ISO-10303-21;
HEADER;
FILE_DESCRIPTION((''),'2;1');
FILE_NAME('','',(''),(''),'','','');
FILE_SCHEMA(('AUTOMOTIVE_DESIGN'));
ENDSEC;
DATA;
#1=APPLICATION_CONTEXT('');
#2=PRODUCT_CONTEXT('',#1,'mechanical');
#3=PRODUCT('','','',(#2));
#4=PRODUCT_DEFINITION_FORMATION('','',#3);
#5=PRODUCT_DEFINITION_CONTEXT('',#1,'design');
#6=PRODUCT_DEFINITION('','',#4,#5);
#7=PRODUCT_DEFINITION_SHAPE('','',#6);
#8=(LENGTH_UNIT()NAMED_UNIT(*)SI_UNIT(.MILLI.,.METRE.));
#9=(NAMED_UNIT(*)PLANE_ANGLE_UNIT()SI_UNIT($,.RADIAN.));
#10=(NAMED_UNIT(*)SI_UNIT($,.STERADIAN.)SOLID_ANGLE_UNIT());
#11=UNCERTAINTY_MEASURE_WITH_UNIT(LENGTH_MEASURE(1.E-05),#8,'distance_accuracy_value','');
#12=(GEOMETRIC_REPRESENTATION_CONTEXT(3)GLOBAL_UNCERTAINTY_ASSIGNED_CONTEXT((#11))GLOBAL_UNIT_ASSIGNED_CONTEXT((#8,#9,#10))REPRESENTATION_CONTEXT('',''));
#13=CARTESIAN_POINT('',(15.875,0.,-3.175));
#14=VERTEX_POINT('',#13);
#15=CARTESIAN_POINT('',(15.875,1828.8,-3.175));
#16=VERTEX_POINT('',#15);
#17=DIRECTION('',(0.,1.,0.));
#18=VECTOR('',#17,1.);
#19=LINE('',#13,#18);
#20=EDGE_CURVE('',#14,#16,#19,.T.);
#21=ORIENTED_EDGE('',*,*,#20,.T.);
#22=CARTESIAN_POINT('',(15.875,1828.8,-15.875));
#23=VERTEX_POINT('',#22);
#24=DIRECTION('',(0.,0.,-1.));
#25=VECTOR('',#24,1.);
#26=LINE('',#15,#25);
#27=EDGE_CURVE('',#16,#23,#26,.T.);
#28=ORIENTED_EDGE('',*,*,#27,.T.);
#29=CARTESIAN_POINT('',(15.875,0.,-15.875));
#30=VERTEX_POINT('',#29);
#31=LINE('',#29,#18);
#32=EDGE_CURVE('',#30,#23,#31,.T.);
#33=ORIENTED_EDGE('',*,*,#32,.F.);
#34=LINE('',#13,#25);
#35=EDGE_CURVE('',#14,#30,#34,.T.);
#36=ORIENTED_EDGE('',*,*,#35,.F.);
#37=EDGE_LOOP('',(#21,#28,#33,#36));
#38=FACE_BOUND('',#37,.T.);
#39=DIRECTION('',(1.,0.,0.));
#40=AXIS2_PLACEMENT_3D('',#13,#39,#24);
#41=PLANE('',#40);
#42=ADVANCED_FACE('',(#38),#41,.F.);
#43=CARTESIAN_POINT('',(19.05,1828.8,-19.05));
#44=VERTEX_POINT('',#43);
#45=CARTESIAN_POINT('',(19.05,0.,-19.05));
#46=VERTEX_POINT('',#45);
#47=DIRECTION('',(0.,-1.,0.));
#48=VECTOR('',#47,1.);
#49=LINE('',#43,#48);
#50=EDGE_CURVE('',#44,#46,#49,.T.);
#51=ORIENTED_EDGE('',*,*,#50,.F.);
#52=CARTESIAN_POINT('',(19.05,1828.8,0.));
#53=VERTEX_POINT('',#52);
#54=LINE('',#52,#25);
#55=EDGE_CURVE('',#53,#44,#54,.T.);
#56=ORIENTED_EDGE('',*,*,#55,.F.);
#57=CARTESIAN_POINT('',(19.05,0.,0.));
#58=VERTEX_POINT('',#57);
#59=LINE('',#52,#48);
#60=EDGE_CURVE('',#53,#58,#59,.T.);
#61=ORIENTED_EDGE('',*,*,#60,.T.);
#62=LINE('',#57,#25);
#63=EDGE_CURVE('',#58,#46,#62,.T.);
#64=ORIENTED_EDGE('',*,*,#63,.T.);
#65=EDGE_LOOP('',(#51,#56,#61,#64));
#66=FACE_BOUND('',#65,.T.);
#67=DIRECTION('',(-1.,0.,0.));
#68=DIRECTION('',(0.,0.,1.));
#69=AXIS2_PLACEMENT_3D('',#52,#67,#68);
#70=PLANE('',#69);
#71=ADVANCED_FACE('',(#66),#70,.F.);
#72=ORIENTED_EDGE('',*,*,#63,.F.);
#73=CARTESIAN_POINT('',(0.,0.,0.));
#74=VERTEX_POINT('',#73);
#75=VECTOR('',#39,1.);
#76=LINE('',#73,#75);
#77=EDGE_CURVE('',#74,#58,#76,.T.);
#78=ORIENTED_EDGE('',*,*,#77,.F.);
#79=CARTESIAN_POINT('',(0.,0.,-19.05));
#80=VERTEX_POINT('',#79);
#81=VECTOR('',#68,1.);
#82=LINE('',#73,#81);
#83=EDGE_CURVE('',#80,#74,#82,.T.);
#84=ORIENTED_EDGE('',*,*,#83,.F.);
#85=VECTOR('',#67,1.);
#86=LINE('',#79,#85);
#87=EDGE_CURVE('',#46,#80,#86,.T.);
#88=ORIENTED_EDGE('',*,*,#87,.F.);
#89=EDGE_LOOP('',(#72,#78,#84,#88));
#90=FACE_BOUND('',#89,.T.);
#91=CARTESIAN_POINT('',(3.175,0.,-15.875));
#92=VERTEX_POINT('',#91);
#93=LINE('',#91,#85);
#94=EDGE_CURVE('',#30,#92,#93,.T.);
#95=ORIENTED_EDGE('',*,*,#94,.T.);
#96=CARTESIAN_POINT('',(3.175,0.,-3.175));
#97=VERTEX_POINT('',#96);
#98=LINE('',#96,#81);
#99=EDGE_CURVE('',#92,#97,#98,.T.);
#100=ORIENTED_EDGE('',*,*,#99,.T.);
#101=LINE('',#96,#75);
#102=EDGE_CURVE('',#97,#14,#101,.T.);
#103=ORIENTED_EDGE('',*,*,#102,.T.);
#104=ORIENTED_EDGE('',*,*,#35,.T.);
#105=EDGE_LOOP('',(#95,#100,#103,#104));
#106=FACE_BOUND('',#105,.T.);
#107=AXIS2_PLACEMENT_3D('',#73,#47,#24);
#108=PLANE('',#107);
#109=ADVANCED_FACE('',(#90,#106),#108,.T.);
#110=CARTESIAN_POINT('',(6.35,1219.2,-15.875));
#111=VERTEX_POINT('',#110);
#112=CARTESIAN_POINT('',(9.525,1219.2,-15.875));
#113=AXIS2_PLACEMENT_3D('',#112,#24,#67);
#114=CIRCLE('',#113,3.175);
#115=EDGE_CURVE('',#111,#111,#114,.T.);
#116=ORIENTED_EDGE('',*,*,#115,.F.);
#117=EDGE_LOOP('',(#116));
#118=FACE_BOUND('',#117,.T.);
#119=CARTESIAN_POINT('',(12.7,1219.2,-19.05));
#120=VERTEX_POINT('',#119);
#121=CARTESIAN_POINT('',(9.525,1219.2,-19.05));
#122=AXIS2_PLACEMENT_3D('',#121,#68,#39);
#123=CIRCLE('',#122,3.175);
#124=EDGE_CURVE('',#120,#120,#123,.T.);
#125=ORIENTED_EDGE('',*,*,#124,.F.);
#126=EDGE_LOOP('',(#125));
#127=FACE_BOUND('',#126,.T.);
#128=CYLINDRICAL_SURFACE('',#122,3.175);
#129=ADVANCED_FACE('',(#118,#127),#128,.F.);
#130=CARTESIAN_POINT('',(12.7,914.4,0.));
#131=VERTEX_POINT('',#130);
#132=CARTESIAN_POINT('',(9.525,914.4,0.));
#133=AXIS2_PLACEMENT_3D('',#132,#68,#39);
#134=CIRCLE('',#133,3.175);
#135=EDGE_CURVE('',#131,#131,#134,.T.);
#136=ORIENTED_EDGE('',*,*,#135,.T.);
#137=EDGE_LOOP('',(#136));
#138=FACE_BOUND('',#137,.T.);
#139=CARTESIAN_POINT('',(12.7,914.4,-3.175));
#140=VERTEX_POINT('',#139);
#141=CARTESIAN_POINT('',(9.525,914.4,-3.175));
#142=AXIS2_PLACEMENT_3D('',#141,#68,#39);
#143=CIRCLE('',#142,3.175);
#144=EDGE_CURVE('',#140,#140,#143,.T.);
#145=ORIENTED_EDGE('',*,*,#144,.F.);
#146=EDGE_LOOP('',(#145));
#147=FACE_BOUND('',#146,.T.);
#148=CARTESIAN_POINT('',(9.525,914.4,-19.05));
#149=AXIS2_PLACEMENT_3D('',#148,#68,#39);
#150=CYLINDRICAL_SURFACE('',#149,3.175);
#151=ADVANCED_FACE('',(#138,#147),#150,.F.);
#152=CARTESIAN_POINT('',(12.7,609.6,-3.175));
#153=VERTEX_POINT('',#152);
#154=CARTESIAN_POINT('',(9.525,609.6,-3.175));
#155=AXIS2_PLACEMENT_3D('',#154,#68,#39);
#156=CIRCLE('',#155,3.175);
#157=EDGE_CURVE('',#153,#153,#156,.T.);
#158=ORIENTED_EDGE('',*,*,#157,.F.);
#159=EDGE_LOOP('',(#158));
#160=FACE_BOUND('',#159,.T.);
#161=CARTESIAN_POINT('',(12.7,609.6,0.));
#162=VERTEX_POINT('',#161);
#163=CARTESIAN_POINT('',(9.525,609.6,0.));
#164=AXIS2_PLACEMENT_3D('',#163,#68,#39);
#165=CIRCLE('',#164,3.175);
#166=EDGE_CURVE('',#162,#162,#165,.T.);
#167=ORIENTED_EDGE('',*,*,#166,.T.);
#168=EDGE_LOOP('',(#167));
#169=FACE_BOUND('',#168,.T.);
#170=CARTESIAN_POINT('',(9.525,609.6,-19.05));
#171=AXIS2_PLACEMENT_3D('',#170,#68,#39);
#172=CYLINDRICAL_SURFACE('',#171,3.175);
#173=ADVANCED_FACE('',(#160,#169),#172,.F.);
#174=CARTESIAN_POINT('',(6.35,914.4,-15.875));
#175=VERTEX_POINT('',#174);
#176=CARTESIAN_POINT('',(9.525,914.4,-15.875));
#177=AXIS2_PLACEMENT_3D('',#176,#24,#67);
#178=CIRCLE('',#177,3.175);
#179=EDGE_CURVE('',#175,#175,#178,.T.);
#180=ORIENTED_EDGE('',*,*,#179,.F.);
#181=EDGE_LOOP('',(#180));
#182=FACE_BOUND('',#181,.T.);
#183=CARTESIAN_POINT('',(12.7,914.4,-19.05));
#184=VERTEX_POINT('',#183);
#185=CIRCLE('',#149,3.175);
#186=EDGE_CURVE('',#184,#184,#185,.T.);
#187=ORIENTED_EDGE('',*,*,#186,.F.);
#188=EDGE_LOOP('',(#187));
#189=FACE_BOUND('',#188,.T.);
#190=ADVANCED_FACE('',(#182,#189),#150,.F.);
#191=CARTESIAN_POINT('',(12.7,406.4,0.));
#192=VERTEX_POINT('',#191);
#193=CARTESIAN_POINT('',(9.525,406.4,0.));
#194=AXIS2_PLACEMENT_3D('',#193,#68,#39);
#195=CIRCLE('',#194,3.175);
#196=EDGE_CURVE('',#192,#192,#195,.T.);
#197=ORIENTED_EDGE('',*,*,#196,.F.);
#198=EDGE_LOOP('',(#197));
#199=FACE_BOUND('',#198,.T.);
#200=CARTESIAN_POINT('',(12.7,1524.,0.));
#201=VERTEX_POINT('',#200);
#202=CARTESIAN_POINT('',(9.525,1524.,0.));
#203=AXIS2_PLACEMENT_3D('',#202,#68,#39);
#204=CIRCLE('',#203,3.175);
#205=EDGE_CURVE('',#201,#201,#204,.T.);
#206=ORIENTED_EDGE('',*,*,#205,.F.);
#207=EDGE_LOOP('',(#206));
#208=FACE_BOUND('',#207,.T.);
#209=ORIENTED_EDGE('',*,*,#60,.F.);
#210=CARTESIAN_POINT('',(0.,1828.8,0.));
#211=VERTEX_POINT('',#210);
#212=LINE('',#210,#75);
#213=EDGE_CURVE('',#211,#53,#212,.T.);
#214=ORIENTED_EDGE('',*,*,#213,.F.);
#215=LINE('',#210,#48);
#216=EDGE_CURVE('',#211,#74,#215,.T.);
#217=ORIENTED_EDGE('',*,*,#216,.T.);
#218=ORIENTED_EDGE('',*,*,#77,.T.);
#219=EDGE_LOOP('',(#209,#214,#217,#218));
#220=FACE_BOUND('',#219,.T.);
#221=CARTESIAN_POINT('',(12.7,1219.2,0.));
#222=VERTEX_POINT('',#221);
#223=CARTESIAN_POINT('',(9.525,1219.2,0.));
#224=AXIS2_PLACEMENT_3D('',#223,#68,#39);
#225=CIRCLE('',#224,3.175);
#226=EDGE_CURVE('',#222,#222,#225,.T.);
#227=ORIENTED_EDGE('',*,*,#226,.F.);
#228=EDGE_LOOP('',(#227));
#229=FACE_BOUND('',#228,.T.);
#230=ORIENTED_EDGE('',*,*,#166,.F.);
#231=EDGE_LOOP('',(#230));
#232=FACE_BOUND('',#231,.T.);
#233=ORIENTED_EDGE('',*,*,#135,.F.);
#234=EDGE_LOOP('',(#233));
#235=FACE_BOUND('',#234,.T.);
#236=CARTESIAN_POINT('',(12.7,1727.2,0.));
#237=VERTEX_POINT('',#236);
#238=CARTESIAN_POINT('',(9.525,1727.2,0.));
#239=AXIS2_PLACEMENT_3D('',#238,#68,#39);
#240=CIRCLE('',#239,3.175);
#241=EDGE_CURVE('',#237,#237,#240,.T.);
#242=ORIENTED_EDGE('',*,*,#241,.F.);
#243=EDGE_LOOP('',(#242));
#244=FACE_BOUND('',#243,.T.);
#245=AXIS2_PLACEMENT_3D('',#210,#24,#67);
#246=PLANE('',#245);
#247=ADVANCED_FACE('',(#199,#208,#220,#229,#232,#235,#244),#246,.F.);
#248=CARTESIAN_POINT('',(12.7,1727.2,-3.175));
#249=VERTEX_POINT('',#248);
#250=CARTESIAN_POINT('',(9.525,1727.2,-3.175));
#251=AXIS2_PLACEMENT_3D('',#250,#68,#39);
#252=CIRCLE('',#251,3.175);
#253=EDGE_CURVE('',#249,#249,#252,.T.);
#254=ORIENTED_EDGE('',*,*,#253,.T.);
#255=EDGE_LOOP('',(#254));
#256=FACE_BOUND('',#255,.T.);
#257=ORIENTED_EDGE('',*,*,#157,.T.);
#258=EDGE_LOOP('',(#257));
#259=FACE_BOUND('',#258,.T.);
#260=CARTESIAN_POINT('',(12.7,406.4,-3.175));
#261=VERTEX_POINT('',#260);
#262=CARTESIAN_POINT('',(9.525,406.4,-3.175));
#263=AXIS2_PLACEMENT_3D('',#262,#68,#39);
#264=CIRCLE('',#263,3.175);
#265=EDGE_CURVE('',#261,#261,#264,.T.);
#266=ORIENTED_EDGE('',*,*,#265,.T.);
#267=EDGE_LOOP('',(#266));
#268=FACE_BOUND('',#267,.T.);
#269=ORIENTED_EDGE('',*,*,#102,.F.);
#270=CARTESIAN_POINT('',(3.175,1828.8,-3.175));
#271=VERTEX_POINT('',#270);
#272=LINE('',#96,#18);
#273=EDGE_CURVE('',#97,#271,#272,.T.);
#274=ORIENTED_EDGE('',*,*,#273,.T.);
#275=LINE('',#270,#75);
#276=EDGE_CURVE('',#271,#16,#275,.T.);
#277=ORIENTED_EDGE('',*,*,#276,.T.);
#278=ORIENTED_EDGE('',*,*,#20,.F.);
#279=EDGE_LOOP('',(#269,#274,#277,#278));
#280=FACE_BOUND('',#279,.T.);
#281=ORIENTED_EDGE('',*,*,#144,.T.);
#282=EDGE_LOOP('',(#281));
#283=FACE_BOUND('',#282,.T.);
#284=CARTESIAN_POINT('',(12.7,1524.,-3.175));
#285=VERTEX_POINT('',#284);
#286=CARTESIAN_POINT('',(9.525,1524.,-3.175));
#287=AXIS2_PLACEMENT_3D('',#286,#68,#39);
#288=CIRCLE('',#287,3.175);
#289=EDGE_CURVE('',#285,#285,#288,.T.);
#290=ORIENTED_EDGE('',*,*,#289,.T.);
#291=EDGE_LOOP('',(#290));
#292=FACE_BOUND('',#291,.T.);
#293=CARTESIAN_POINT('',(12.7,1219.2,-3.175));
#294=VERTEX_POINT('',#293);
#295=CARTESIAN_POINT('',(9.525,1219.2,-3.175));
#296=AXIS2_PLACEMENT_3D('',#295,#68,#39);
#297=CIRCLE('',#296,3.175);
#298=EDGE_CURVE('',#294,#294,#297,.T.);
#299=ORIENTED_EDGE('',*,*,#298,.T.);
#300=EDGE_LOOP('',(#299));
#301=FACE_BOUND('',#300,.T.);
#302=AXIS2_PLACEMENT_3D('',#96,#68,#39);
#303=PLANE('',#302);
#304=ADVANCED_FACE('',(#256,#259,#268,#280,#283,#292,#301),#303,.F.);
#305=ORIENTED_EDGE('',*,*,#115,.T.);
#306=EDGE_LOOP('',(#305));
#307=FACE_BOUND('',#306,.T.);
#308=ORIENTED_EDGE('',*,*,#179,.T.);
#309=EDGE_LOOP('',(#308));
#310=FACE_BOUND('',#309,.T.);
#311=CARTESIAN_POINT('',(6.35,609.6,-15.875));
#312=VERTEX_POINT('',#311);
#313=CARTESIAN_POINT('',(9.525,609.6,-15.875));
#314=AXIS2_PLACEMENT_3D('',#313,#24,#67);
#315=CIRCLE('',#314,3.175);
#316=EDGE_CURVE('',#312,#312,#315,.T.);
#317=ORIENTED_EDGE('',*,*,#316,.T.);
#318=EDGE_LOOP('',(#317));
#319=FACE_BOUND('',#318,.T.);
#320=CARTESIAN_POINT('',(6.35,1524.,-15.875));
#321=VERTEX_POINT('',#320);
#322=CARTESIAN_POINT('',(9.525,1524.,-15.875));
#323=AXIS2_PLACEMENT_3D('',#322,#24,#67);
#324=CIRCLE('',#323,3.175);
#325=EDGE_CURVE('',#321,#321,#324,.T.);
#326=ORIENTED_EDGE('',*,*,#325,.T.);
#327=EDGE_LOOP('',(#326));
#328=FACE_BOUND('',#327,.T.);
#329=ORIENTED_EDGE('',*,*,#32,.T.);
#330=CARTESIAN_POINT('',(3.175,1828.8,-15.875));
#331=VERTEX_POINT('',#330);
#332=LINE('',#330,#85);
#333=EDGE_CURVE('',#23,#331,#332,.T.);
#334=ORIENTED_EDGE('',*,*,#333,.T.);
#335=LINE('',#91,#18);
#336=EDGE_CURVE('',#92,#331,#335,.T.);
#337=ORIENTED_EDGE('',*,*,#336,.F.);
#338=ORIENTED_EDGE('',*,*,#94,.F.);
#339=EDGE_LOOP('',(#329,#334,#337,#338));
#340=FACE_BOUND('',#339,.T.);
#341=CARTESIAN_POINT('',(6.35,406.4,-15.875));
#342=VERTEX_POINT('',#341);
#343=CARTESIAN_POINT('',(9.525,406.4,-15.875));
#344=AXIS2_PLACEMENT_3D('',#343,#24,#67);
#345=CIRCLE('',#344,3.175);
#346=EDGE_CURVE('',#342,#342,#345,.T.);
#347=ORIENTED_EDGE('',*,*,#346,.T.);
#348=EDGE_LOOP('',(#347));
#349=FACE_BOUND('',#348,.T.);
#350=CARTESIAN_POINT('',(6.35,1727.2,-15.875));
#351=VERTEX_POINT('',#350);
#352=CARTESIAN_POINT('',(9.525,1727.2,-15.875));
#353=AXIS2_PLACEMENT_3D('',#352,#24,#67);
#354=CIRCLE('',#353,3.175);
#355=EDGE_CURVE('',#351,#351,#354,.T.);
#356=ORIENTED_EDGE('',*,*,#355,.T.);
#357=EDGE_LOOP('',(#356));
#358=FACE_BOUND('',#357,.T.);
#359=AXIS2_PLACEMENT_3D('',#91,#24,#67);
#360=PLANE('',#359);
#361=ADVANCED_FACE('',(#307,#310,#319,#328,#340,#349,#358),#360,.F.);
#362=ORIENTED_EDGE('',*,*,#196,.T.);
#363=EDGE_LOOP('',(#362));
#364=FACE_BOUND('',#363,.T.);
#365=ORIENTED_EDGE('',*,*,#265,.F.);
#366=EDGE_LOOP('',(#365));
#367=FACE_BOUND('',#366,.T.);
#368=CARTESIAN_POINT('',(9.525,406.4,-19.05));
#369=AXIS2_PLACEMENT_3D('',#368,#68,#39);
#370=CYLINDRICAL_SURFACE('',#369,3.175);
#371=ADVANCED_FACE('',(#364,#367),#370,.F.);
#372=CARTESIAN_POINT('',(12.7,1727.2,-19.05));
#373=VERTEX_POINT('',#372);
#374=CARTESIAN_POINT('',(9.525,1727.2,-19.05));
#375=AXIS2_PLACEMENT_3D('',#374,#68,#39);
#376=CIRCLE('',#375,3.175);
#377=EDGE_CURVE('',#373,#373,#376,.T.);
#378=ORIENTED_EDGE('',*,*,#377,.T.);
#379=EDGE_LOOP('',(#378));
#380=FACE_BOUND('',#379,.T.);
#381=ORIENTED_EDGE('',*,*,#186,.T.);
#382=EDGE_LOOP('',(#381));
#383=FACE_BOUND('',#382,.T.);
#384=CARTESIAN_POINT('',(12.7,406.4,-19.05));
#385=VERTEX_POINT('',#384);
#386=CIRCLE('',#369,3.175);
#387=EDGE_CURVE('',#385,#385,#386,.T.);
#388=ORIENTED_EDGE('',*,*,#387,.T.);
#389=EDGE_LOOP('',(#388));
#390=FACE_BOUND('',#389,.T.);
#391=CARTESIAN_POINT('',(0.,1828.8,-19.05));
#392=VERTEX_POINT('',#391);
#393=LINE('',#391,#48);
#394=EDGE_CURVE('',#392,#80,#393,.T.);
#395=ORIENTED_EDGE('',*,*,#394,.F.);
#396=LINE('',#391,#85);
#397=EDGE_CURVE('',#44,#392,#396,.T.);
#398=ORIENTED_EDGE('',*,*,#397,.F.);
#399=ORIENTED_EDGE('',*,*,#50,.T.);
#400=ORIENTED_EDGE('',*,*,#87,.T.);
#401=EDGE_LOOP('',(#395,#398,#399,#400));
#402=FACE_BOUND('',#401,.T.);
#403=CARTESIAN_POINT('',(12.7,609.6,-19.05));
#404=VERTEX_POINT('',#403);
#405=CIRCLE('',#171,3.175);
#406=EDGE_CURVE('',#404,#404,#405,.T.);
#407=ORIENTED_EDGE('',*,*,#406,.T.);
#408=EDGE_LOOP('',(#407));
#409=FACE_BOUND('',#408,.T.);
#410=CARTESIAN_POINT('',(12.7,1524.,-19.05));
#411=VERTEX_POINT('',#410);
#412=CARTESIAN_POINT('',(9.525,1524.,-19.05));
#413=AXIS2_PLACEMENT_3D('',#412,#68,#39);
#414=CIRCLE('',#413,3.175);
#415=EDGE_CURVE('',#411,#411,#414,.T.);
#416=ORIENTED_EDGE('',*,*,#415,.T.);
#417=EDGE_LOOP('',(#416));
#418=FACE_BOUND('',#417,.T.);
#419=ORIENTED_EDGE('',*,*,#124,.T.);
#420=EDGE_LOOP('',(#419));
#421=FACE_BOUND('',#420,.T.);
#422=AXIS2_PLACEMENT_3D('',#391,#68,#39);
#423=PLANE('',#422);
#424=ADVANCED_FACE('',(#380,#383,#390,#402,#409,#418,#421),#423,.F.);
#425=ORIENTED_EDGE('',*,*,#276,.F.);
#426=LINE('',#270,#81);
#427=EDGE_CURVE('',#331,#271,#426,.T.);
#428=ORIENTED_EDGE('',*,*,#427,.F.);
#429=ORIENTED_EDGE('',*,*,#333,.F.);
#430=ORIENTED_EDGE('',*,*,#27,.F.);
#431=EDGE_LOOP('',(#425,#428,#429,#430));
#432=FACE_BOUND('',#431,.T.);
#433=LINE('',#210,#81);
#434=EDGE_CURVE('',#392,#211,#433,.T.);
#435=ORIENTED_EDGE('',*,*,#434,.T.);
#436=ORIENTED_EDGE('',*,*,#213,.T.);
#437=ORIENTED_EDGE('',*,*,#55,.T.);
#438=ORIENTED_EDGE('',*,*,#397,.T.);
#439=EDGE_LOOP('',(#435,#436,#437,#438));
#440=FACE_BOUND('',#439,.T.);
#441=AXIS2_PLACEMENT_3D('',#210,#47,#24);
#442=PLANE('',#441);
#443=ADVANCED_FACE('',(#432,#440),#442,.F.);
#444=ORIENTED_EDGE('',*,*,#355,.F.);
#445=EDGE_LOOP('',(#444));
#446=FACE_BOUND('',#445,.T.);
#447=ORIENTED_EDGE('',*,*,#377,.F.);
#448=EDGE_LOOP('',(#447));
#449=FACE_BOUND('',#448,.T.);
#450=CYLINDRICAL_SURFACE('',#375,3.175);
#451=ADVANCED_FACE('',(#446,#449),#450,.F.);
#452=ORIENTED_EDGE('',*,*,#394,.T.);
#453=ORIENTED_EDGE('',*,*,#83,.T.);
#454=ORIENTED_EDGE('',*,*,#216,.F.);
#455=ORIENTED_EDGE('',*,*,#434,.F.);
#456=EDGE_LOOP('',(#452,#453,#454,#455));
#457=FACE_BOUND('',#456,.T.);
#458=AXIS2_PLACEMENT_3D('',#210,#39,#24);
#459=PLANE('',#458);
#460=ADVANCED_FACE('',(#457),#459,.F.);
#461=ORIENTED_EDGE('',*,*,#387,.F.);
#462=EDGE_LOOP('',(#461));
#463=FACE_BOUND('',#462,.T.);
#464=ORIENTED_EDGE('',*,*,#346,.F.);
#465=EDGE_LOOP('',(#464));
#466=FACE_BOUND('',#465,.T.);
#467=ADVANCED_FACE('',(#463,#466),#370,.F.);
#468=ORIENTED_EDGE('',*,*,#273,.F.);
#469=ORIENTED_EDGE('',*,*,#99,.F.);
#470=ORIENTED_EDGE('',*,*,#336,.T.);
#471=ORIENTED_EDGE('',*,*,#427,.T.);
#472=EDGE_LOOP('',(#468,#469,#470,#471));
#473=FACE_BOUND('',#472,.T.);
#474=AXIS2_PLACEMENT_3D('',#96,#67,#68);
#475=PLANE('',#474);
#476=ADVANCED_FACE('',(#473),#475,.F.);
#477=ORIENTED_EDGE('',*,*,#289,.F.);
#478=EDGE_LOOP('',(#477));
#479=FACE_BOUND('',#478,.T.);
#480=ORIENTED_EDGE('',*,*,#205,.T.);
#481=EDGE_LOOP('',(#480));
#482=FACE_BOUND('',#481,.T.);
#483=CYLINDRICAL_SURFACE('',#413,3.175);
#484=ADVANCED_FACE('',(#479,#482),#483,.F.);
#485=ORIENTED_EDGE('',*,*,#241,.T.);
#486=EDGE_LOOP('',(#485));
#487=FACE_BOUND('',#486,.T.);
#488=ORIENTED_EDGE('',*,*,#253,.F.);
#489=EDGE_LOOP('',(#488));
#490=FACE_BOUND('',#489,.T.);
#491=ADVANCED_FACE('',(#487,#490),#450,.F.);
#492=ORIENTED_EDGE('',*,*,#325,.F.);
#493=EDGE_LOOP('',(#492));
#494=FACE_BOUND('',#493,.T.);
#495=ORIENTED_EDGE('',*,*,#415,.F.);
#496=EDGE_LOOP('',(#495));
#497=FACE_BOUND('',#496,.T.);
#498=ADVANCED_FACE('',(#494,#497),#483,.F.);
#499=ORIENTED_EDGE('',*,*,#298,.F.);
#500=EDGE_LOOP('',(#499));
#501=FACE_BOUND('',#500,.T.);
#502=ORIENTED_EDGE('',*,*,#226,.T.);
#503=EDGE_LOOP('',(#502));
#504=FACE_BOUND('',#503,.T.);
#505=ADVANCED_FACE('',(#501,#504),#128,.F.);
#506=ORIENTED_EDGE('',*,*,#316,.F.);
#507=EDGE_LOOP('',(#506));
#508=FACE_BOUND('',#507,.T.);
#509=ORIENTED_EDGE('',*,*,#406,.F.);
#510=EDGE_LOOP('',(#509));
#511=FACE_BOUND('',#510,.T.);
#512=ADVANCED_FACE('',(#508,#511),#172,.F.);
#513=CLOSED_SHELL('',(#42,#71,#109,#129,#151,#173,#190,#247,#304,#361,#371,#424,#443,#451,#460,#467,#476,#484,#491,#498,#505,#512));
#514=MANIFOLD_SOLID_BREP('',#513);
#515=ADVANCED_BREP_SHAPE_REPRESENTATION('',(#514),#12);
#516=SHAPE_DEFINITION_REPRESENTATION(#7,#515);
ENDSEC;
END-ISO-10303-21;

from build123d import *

# Parameters (mm, degrees)
SKETCH1_W           = 19.05
SKETCH1_H           = 19.05
BOSS_EXTRUDE1_DEPTH = 1828.8
SKETCH2_W           = 12.7
SKETCH2_H           = 12.7
CUT_EXTRUDE1_DEPTH  = 1829.8
SKETCH3_R           = 3.175
CUT_EXTRUDE2_DEPTH  = 20.05


with BuildPart() as part:
    # Sketch1 → Boss-Extrude1 (new body)
    with BuildSketch(Plane(origin=(0, 0, 0), x_dir=(1, 0, 0), z_dir=(0, 1, 0))):
        with Locations((9.525, 9.525)):
            Rectangle(SKETCH1_W, SKETCH1_H)
    extrude(amount=BOSS_EXTRUDE1_DEPTH)

    # Sketch2 → Cut-Extrude1 (cut, through all)
    with BuildSketch(Plane(origin=(0, 1828.8, 0), x_dir=(1, 0, 0), z_dir=(0, 1, 0))):
        with Locations((9.525, 9.525)):
            Rectangle(SKETCH2_W, SKETCH2_H)
    extrude(amount=-CUT_EXTRUDE1_DEPTH, mode=Mode.SUBTRACT)

    # Sketch3 → Cut-Extrude2 (cut, through all)
    with BuildSketch(Plane.XY):
        with Locations((9.525, 1727.2)):
            Circle(SKETCH3_R)
        with Locations((9.525, 1524)):
            Circle(SKETCH3_R)
        with Locations((9.525, 1219.2)):
            Circle(SKETCH3_R)
        with Locations((9.525, 914.4)):
            Circle(SKETCH3_R)
        with Locations((9.525, 406.4)):
            Circle(SKETCH3_R)
        with Locations((9.525, 609.6)):
            Circle(SKETCH3_R)
    extrude(amount=-CUT_EXTRUDE2_DEPTH, mode=Mode.SUBTRACT)


solid = part.part
